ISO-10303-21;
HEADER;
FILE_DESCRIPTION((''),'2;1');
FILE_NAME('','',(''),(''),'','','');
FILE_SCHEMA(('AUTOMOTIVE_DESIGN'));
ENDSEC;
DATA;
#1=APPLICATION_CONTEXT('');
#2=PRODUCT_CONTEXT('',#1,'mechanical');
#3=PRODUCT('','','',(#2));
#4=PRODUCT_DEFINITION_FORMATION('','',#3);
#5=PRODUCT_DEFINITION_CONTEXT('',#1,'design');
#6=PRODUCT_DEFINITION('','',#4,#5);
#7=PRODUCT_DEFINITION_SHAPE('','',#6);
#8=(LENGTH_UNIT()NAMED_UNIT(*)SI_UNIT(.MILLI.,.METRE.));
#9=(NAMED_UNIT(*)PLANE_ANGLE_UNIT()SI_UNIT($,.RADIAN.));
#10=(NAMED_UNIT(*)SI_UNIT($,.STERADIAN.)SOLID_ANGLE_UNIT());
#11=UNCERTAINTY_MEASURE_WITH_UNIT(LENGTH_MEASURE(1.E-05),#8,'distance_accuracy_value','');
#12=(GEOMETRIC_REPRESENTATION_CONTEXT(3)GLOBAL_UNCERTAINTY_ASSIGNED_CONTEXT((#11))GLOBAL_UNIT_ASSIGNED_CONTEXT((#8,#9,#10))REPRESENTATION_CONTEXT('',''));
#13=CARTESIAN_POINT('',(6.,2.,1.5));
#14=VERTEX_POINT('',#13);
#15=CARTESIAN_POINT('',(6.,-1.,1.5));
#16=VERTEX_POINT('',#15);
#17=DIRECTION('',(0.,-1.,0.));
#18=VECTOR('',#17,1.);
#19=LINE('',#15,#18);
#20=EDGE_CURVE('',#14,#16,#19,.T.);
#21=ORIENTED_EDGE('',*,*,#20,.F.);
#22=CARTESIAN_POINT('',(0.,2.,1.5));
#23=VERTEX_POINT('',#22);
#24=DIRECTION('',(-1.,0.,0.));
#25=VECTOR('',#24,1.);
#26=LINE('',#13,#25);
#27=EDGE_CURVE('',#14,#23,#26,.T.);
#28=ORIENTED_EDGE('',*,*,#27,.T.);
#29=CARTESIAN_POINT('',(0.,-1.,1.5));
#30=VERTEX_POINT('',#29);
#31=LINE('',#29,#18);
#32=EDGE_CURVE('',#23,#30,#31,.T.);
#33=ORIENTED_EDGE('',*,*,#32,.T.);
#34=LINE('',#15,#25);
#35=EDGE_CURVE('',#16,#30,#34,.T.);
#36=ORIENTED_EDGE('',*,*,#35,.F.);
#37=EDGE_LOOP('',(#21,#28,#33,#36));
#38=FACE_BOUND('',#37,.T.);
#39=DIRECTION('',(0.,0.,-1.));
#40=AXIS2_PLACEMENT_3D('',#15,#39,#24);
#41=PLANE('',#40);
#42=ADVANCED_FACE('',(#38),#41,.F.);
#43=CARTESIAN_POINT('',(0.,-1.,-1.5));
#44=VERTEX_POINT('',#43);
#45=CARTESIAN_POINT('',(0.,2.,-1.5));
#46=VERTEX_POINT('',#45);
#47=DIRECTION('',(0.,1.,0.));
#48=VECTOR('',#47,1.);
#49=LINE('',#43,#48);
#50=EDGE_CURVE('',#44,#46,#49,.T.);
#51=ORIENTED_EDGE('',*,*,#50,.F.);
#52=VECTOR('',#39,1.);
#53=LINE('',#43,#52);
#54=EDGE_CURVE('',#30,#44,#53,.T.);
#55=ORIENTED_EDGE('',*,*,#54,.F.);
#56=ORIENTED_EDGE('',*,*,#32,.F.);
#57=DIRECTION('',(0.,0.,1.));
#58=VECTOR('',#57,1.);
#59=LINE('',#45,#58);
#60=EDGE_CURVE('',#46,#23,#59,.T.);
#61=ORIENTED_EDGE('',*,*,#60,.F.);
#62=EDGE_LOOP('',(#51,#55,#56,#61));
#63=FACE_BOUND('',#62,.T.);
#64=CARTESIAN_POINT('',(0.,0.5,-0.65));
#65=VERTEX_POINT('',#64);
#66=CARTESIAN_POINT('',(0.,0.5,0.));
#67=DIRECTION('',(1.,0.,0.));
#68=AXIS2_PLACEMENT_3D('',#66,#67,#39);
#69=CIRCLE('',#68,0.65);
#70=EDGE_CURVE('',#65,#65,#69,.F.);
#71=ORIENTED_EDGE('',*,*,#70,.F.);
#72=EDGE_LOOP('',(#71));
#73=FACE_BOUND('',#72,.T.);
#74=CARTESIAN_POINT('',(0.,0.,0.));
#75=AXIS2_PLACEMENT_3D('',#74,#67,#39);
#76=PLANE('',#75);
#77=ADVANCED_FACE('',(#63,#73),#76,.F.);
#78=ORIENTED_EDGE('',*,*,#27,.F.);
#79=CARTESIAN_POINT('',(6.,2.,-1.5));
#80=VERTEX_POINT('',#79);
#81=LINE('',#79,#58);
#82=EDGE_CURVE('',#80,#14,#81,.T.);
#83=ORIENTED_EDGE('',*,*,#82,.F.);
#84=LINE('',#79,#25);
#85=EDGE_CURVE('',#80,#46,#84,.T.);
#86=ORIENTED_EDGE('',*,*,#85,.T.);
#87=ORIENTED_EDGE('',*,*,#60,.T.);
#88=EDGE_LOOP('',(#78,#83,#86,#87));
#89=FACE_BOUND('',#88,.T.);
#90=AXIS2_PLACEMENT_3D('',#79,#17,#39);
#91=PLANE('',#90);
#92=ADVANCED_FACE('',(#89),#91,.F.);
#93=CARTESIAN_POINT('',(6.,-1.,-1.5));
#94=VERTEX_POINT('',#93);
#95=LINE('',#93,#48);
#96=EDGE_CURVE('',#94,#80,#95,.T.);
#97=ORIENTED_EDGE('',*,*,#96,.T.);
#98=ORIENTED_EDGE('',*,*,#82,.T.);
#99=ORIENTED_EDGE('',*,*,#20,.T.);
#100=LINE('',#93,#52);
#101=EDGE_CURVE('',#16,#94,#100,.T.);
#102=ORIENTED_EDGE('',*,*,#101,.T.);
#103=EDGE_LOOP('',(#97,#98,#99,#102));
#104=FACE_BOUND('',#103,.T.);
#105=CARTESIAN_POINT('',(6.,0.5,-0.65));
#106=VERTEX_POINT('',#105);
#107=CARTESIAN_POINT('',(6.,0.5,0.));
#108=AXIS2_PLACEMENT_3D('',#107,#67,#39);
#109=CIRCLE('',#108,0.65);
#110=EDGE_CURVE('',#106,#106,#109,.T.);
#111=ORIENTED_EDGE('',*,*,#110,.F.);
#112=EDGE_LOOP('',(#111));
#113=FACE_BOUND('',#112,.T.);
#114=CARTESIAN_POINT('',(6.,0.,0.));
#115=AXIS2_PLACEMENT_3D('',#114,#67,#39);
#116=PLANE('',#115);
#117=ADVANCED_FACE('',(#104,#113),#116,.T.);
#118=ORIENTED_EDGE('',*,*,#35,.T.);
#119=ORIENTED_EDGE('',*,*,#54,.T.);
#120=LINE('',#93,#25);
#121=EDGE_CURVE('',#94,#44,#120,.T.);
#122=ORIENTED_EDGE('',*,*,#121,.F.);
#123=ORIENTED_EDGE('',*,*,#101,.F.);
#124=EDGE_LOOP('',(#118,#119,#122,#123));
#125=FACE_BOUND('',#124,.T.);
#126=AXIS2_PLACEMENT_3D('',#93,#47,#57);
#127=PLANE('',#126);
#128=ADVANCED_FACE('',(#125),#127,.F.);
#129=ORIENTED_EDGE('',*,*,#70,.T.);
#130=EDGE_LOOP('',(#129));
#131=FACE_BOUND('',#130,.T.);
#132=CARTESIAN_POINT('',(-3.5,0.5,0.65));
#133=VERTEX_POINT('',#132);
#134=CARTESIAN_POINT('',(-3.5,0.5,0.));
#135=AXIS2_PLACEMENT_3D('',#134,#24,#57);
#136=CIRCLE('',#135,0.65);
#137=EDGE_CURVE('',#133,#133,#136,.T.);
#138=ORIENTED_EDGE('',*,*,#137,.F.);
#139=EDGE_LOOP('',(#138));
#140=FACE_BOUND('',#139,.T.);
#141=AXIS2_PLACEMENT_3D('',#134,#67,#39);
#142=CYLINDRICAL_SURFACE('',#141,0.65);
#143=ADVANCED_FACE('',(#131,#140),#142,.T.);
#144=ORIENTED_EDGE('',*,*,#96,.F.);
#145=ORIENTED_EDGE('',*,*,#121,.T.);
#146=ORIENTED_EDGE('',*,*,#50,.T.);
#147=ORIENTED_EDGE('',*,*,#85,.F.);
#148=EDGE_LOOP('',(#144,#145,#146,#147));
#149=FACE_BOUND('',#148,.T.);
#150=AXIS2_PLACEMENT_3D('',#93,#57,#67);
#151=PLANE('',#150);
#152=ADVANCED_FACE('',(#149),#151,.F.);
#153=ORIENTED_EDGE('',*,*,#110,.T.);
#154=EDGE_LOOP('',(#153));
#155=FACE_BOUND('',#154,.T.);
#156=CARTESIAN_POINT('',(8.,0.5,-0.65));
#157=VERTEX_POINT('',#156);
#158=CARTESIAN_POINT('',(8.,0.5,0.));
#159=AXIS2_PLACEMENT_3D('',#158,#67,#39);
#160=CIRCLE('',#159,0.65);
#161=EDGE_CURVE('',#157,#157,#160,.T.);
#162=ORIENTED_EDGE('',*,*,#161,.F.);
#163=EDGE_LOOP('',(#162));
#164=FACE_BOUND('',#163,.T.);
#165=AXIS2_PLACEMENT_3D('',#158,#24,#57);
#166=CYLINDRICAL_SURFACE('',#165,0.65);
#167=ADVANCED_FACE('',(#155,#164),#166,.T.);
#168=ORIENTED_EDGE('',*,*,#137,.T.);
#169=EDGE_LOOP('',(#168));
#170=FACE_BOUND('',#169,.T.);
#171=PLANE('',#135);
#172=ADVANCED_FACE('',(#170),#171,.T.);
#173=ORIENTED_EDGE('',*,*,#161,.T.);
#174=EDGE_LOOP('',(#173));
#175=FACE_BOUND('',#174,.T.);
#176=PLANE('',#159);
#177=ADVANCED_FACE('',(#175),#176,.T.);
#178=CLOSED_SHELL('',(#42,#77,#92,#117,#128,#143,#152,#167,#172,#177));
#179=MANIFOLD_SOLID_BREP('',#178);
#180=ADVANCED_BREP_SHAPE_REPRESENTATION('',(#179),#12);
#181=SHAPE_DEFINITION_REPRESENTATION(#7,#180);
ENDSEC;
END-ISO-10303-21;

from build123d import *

# Parameters (mm, degrees)
CROQUIS1_W              = 3
CROQUIS1_H              = 3
SALIENTE_EXTRUIR1_DEPTH = 6
CROQUIS2_R              = 0.65
SALIENTE_EXTRUIR2_DEPTH = 3.5
SALIENTE_EXTRUIR3_START = 2
CROQUIS6_R              = 0.65
SALIENTE_EXTRUIR3_DEPTH = 2


with BuildPart() as part:
    # Croquis1 → Saliente-Extruir1 (new body)
    with BuildSketch(Plane(origin=(0, 0, 0), x_dir=(0, 0, -1), z_dir=(1, 0, 0))):
        with Locations((0, 0.5)):
            Rectangle(CROQUIS1_W, CROQUIS1_H)
    extrude(amount=SALIENTE_EXTRUIR1_DEPTH)

    # Croquis2 → Saliente-Extruir2 (add)
    with BuildSketch(Plane.ZY):
        with Locations(Location((0, 0.5, 0), (0, 0, 180))):
            Circle(CROQUIS2_R)
    extrude(amount=SALIENTE_EXTRUIR2_DEPTH)

    # Croquis6 → Saliente-Extruir3 (add)
    with BuildSketch(Plane(origin=(6, 0, 0), x_dir=(0, 0, -1), z_dir=(1, 0, 0)).offset(SALIENTE_EXTRUIR3_START)):
        with Locations((0, 0.5)):
            Circle(CROQUIS6_R)
    extrude(amount=-SALIENTE_EXTRUIR3_DEPTH)


solid = part.part
